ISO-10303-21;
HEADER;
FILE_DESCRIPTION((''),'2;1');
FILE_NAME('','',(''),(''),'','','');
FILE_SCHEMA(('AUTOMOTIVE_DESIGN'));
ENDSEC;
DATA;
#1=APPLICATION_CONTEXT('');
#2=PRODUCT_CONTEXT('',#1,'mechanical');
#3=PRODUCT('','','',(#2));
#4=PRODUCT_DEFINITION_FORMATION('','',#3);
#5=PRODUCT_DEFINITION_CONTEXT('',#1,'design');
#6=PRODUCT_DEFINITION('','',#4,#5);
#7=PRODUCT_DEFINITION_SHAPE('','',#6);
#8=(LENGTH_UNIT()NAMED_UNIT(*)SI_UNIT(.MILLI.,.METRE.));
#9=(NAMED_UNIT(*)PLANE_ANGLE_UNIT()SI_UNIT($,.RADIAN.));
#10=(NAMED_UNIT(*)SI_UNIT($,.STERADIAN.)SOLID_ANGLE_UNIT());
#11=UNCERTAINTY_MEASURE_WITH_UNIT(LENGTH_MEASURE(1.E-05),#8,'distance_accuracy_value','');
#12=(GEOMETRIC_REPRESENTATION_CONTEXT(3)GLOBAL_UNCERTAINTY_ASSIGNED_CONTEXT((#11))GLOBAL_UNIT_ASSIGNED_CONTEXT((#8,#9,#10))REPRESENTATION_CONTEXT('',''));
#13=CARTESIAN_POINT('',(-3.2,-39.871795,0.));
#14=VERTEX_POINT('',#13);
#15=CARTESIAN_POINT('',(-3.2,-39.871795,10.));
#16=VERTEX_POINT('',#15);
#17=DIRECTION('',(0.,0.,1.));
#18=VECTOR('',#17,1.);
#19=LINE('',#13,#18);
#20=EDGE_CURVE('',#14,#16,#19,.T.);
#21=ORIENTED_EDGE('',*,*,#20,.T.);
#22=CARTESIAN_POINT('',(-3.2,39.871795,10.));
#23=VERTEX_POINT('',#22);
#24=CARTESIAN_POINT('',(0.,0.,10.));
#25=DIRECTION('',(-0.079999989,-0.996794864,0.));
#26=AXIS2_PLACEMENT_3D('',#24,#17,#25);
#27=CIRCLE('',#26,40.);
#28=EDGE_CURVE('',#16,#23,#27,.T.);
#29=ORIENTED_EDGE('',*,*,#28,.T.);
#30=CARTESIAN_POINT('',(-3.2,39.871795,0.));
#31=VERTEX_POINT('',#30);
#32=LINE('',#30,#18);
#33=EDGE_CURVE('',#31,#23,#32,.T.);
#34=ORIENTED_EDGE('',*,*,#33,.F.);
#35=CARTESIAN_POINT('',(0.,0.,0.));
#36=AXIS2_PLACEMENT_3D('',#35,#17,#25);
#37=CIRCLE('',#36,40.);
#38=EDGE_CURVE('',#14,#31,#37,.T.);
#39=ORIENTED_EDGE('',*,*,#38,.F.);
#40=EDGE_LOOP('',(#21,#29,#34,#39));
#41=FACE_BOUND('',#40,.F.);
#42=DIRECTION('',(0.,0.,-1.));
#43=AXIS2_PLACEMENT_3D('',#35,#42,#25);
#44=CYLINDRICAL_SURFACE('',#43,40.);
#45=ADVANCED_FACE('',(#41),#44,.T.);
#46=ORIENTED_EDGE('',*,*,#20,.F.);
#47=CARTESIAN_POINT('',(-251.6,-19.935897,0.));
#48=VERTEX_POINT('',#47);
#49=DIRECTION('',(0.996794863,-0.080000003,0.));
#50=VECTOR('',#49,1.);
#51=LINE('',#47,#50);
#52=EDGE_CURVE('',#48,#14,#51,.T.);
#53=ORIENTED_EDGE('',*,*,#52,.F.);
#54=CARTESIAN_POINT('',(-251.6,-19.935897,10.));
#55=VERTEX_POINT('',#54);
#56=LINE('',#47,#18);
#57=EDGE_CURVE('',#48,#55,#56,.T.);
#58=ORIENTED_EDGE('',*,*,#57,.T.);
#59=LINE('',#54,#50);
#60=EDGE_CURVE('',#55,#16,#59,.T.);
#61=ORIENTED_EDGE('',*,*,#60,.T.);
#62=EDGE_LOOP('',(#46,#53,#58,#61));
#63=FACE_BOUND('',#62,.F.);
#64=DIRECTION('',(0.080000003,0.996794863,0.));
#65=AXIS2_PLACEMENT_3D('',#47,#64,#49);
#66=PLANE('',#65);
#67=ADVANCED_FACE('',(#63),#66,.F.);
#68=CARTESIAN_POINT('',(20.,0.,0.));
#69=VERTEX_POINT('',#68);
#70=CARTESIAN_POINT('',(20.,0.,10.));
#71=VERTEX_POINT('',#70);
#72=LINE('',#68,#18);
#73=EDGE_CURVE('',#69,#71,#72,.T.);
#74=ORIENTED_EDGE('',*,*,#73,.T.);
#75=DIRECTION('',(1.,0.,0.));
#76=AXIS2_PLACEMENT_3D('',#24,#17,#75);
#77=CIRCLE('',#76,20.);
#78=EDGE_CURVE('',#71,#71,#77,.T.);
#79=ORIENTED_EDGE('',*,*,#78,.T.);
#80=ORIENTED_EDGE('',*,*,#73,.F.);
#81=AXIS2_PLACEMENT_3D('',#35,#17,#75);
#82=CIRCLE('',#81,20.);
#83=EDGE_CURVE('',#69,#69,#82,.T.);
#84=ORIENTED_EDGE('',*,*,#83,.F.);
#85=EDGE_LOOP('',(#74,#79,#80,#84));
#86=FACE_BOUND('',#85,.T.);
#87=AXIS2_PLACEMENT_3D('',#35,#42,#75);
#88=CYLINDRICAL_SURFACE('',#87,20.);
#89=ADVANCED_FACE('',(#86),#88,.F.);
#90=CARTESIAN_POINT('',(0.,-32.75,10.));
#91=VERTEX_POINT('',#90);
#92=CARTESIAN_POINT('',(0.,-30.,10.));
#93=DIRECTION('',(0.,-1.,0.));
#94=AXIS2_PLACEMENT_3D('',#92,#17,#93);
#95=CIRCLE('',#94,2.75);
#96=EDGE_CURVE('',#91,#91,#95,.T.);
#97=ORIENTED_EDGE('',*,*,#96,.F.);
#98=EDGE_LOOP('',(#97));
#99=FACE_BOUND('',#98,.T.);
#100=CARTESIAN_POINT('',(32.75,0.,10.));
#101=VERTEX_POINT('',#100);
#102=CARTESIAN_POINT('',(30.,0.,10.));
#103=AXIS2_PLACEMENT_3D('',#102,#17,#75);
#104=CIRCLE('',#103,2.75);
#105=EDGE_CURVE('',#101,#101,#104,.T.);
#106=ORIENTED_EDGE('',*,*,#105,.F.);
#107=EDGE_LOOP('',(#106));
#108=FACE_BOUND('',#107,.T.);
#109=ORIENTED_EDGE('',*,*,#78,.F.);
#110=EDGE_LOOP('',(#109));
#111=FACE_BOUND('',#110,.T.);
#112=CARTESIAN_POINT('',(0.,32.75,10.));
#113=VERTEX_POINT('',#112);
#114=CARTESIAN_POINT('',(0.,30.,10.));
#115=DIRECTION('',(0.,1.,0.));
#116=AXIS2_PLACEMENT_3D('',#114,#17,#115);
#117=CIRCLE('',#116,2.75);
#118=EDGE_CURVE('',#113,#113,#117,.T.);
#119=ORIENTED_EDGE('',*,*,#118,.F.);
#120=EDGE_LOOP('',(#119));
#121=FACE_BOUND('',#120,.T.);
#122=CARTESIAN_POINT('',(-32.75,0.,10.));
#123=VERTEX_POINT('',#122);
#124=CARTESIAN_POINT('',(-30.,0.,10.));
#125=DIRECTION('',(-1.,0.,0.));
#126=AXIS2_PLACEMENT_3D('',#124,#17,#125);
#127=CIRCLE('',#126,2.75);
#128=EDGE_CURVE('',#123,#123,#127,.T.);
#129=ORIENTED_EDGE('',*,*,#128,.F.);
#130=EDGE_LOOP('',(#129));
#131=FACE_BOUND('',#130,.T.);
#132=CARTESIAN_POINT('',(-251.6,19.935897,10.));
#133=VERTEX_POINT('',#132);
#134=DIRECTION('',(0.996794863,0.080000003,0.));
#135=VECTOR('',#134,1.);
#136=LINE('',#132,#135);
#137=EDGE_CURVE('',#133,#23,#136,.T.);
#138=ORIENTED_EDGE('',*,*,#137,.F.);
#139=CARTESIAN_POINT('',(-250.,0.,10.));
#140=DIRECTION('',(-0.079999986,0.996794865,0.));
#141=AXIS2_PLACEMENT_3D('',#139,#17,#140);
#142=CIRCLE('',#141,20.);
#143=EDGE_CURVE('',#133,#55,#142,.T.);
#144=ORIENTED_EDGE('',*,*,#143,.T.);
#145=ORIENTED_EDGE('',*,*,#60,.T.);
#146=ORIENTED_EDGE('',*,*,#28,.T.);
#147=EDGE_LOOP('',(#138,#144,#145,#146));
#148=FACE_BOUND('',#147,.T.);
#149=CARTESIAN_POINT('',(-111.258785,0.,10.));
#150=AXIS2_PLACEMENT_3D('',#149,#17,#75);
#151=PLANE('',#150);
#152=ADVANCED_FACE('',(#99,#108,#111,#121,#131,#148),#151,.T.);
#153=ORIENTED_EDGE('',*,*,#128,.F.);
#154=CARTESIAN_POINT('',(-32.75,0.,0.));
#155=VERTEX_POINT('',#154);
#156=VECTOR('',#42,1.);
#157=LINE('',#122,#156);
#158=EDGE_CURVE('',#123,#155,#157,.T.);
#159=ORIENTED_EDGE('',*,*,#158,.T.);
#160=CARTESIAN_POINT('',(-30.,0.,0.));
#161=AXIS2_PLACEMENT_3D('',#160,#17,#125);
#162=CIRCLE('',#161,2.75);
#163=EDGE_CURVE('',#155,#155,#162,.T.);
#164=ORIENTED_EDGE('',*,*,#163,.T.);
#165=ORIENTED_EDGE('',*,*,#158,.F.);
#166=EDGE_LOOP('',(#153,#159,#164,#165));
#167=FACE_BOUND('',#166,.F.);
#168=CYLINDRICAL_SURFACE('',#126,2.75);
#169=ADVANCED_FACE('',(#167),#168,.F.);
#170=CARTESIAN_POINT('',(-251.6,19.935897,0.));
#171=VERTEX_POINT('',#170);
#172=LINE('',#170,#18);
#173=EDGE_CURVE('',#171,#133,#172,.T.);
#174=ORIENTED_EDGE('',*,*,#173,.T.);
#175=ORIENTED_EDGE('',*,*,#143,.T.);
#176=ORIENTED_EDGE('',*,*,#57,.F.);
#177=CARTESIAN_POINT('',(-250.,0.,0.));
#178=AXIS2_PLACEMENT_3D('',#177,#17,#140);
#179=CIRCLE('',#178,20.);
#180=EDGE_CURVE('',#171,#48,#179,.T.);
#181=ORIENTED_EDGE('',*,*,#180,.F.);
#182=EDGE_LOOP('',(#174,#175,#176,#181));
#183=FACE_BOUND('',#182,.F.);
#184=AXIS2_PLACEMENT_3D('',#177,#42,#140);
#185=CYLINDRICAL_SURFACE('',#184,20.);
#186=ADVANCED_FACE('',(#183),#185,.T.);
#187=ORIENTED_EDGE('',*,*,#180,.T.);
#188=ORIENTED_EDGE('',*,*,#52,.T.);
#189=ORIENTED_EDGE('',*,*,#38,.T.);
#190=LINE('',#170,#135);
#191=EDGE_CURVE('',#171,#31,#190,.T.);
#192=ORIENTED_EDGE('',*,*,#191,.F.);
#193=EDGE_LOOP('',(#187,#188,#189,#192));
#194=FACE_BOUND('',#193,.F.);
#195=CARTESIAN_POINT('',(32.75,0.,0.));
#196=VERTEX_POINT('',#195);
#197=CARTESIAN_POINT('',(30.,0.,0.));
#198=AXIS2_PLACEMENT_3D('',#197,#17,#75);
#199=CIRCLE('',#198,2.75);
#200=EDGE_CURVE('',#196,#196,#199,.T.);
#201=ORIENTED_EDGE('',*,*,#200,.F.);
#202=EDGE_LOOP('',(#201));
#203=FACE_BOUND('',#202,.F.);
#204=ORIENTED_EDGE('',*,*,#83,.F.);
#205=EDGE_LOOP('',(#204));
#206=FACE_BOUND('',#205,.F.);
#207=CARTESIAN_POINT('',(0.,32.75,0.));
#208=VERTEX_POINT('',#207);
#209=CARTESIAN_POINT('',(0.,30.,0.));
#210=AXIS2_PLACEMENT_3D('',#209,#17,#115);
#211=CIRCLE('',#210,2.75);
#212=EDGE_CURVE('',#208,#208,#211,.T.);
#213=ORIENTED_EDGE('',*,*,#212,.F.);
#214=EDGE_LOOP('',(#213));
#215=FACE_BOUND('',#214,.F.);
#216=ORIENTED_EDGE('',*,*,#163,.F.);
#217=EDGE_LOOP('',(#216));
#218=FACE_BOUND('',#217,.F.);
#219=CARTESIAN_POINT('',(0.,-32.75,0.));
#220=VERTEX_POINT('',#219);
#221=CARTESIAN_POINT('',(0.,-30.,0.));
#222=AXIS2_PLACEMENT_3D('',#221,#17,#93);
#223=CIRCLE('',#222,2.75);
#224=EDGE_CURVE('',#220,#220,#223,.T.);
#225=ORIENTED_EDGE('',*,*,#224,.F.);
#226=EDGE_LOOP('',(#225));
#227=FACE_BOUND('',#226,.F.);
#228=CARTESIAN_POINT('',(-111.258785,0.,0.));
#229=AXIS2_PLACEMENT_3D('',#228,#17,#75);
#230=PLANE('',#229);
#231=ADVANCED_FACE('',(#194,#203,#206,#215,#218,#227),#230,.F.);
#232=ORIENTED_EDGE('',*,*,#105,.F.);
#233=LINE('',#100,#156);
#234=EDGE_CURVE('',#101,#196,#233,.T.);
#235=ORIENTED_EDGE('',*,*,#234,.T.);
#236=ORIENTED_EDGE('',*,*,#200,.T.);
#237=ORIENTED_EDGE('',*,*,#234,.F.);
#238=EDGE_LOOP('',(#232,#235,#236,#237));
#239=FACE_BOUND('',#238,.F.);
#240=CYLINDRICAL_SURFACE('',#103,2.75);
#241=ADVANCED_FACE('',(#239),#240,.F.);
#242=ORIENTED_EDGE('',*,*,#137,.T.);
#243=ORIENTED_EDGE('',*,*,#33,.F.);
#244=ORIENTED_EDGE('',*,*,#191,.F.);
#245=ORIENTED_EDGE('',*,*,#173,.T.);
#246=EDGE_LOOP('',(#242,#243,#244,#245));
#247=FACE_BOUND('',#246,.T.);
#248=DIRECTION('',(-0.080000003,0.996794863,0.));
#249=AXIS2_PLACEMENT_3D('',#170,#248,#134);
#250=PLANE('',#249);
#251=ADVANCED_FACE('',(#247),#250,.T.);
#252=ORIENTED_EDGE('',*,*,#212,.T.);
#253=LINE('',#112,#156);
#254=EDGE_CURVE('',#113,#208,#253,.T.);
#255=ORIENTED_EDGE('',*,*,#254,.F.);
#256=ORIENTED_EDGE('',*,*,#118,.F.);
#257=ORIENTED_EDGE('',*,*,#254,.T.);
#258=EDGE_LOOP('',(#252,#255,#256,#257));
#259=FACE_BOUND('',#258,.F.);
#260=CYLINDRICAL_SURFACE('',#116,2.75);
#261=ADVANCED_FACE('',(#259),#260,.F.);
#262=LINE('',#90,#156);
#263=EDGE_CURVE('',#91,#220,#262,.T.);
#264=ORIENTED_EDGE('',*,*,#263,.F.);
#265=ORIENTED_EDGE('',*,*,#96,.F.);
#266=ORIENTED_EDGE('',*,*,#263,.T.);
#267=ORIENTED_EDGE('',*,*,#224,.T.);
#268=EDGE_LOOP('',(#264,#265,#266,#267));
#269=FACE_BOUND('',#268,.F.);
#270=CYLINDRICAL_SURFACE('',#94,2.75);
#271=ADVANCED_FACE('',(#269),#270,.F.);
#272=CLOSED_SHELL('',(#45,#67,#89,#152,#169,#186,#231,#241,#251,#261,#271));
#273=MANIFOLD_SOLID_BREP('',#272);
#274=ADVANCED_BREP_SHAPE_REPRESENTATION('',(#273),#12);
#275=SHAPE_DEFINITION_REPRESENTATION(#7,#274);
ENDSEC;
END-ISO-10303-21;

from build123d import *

# Parameters (mm, degrees)
SKETCH_R           = 20
PAD_DEPTH          = 10
SKETCH001_R        = 2.75
HOLE_DEPTH         = 25
POLARPATTERN_COUNT = 4


with BuildPart() as part:
    # Sketch → Pad (new body)
    with BuildSketch(Plane.XY):
        with BuildLine():
            ThreePointArc((-251.6, 19.935897), (-270, 0), (-251.6, -19.935897))
            Line((-251.6, -19.935897), (-3.2, -39.871795))
            ThreePointArc((-3.2, -39.871795), (40, 0), (-3.2, 39.871795))
            Line((-251.6, 19.935897), (-3.2, 39.871795))
        make_face()
        Circle(SKETCH_R, mode=Mode.SUBTRACT)
    extrude(amount=PAD_DEPTH)

    # Sketch001 (on Face7 of Pad) → Hole (cut)
    with BuildSketch(Plane.XY.offset(10)):
        with Locations((30, 0)):
            Circle(SKETCH001_R)
    hole = extrude(amount=-HOLE_DEPTH, mode=Mode.SUBTRACT)

    # PolarPattern: Hole ×4 about axis
    polarpattern_axis = Axis((0, 0, 10), (0, 0, 1))
    for i in range(1, POLARPATTERN_COUNT):
        add(hole.rotate(polarpattern_axis, i * 360 / POLARPATTERN_COUNT), mode=Mode.SUBTRACT)


solid = part.part
